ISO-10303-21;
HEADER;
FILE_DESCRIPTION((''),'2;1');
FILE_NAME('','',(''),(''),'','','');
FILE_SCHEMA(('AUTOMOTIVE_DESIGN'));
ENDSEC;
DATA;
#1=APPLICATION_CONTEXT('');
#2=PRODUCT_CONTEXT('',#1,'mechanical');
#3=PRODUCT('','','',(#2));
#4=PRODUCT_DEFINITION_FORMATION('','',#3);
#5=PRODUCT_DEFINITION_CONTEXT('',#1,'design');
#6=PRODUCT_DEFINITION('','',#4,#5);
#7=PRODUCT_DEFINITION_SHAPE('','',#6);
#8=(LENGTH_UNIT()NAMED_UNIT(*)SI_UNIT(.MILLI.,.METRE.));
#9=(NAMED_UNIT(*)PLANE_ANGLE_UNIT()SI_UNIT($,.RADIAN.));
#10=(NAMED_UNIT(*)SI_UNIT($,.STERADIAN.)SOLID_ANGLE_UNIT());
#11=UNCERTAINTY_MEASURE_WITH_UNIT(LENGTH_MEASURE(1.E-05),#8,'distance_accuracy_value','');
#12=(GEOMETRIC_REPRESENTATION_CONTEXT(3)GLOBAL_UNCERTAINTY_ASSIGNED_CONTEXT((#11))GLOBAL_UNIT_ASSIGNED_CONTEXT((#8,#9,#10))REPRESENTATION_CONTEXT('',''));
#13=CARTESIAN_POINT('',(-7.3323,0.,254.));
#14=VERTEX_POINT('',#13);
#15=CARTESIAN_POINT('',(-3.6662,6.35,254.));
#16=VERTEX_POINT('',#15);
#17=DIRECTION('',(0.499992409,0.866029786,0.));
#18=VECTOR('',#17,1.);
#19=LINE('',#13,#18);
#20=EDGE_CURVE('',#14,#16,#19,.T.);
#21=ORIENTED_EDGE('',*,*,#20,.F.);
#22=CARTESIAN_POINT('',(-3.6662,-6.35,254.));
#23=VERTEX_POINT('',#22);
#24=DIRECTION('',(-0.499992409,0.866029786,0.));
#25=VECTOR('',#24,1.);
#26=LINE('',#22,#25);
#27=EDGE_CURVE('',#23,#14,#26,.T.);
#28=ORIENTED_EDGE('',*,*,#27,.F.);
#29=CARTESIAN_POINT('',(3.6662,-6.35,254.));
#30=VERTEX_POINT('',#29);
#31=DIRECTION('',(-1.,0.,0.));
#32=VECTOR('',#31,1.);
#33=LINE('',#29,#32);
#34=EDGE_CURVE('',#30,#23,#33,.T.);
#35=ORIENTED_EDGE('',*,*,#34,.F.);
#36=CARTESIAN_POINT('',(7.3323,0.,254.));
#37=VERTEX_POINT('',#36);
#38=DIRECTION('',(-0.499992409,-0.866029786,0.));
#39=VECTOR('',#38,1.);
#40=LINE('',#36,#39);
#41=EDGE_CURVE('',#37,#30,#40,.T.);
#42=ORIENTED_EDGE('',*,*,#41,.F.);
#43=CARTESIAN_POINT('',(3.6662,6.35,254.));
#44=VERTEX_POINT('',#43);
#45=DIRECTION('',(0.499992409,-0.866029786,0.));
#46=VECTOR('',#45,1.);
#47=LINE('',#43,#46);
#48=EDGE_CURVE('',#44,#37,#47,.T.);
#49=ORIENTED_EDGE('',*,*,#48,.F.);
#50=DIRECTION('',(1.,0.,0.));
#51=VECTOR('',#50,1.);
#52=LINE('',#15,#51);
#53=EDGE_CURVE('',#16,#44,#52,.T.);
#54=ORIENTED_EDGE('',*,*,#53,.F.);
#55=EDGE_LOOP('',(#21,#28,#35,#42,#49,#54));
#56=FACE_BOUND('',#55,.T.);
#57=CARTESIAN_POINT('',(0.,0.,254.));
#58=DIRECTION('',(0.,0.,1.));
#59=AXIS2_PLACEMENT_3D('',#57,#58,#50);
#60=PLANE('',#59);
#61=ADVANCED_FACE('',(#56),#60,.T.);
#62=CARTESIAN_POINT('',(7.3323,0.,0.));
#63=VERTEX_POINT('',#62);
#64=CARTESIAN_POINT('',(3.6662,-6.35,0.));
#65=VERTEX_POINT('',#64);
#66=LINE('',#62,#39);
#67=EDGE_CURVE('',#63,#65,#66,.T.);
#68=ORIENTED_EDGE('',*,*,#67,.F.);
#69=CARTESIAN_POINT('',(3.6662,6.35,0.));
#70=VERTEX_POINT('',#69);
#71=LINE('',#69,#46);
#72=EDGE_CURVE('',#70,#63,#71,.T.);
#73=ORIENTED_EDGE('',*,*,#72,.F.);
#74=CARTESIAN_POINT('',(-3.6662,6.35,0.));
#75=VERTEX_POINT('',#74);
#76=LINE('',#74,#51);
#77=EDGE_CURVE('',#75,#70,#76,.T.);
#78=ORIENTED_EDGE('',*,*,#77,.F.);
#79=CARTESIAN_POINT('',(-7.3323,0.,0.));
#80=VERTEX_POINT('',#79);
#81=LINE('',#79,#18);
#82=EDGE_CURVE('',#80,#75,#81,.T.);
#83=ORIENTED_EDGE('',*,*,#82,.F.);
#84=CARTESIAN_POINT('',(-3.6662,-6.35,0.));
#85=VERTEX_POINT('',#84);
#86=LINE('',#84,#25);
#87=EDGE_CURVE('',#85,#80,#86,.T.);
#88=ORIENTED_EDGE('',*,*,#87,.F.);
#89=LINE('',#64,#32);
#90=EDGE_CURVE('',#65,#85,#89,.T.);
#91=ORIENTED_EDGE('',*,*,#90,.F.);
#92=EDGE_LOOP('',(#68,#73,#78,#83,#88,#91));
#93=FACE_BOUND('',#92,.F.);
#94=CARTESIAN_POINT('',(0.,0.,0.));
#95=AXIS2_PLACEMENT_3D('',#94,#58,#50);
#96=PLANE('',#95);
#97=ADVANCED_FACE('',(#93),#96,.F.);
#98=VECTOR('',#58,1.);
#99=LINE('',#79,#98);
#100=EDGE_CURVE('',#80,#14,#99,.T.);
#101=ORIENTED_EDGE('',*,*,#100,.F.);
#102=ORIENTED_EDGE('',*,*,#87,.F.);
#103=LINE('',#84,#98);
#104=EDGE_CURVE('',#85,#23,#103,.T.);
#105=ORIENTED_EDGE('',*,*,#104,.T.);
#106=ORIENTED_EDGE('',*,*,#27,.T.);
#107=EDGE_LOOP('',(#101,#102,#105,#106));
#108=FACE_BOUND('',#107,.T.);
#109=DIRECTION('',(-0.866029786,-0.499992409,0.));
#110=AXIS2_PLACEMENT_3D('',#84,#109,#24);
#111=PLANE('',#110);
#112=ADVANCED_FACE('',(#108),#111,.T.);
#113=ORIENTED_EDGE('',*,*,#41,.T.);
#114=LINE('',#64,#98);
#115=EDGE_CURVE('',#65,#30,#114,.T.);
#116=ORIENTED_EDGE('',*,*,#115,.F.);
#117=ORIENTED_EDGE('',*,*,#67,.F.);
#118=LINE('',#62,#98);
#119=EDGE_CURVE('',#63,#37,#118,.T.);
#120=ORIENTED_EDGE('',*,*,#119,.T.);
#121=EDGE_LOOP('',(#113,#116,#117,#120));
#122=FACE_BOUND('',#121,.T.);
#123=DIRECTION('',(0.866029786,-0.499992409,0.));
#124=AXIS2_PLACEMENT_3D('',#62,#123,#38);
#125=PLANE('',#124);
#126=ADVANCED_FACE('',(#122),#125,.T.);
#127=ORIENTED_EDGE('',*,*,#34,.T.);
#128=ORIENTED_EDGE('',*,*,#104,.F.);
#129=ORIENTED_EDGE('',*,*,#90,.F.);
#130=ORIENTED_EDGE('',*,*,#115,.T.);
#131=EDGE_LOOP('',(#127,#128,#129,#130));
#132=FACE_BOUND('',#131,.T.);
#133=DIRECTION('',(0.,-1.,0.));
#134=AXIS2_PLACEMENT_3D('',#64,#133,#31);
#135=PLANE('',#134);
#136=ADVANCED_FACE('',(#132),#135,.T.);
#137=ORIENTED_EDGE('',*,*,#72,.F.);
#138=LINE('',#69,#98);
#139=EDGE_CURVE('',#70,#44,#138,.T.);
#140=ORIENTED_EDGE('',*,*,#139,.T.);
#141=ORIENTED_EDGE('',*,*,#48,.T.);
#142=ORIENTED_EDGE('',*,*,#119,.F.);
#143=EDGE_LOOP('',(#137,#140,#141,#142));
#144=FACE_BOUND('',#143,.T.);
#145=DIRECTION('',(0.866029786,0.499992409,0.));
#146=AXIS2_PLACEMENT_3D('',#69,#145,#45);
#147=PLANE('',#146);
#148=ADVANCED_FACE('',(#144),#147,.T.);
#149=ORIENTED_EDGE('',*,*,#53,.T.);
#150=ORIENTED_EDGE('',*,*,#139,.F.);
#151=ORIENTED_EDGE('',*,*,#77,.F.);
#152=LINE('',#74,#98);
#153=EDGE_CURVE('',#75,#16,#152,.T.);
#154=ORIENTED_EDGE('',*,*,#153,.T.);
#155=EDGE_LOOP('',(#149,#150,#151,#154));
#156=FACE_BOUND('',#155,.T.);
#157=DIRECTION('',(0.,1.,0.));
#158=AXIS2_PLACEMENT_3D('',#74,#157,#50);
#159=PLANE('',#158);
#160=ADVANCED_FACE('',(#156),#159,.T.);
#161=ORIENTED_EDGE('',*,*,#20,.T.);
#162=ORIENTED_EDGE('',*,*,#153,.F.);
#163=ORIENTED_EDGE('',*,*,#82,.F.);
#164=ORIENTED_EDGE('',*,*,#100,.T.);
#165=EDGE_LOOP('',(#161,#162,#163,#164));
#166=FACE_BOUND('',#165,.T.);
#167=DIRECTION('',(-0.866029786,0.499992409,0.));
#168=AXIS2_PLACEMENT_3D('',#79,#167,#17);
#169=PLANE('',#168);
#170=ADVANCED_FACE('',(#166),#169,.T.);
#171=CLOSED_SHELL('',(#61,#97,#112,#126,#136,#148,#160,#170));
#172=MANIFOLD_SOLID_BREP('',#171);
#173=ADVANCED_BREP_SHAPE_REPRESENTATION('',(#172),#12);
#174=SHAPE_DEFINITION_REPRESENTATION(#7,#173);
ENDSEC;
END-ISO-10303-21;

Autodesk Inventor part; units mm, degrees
ref_plane "YZ Plane" through (0, 0, 0) normal (1, 0, 0) x (0, 1, 0)
ref_plane "XZ Plane" through (0, 0, 0) normal (0, 1, 0) x (-1, 0, 0)
ref_plane "XY Plane" through (0, 0, 0) normal (0, 0, 1) x (1, 0, 0)
sketch "Sketch1" plane through (0, 0, 0) normal (0, 0, 1) x (1, 0, 0)
  line L0 (3.6662, 6.35) -> (7.3323, 0)
  line L1 (7.3323, 0) -> (3.6662, -6.35)
  line L2 (3.6662, -6.35) -> (-3.6662, -6.35)
  line L3 (-3.6662, -6.35) -> (-7.3323, 0)
  line L4 (-7.3323, 0) -> (-3.6662, 6.35)
  line L5 (-3.6662, 6.35) -> (3.6662, 6.35)
  point P0 (0, 0)
  point P1 (0, 0)
  dimension "d0" = 12.7
extrude "Extrusion1" add sketch "Sketch1" along normal blind 254
properties part number "Hex Shaft 1-2 in (am-0856)" material "Steel"
